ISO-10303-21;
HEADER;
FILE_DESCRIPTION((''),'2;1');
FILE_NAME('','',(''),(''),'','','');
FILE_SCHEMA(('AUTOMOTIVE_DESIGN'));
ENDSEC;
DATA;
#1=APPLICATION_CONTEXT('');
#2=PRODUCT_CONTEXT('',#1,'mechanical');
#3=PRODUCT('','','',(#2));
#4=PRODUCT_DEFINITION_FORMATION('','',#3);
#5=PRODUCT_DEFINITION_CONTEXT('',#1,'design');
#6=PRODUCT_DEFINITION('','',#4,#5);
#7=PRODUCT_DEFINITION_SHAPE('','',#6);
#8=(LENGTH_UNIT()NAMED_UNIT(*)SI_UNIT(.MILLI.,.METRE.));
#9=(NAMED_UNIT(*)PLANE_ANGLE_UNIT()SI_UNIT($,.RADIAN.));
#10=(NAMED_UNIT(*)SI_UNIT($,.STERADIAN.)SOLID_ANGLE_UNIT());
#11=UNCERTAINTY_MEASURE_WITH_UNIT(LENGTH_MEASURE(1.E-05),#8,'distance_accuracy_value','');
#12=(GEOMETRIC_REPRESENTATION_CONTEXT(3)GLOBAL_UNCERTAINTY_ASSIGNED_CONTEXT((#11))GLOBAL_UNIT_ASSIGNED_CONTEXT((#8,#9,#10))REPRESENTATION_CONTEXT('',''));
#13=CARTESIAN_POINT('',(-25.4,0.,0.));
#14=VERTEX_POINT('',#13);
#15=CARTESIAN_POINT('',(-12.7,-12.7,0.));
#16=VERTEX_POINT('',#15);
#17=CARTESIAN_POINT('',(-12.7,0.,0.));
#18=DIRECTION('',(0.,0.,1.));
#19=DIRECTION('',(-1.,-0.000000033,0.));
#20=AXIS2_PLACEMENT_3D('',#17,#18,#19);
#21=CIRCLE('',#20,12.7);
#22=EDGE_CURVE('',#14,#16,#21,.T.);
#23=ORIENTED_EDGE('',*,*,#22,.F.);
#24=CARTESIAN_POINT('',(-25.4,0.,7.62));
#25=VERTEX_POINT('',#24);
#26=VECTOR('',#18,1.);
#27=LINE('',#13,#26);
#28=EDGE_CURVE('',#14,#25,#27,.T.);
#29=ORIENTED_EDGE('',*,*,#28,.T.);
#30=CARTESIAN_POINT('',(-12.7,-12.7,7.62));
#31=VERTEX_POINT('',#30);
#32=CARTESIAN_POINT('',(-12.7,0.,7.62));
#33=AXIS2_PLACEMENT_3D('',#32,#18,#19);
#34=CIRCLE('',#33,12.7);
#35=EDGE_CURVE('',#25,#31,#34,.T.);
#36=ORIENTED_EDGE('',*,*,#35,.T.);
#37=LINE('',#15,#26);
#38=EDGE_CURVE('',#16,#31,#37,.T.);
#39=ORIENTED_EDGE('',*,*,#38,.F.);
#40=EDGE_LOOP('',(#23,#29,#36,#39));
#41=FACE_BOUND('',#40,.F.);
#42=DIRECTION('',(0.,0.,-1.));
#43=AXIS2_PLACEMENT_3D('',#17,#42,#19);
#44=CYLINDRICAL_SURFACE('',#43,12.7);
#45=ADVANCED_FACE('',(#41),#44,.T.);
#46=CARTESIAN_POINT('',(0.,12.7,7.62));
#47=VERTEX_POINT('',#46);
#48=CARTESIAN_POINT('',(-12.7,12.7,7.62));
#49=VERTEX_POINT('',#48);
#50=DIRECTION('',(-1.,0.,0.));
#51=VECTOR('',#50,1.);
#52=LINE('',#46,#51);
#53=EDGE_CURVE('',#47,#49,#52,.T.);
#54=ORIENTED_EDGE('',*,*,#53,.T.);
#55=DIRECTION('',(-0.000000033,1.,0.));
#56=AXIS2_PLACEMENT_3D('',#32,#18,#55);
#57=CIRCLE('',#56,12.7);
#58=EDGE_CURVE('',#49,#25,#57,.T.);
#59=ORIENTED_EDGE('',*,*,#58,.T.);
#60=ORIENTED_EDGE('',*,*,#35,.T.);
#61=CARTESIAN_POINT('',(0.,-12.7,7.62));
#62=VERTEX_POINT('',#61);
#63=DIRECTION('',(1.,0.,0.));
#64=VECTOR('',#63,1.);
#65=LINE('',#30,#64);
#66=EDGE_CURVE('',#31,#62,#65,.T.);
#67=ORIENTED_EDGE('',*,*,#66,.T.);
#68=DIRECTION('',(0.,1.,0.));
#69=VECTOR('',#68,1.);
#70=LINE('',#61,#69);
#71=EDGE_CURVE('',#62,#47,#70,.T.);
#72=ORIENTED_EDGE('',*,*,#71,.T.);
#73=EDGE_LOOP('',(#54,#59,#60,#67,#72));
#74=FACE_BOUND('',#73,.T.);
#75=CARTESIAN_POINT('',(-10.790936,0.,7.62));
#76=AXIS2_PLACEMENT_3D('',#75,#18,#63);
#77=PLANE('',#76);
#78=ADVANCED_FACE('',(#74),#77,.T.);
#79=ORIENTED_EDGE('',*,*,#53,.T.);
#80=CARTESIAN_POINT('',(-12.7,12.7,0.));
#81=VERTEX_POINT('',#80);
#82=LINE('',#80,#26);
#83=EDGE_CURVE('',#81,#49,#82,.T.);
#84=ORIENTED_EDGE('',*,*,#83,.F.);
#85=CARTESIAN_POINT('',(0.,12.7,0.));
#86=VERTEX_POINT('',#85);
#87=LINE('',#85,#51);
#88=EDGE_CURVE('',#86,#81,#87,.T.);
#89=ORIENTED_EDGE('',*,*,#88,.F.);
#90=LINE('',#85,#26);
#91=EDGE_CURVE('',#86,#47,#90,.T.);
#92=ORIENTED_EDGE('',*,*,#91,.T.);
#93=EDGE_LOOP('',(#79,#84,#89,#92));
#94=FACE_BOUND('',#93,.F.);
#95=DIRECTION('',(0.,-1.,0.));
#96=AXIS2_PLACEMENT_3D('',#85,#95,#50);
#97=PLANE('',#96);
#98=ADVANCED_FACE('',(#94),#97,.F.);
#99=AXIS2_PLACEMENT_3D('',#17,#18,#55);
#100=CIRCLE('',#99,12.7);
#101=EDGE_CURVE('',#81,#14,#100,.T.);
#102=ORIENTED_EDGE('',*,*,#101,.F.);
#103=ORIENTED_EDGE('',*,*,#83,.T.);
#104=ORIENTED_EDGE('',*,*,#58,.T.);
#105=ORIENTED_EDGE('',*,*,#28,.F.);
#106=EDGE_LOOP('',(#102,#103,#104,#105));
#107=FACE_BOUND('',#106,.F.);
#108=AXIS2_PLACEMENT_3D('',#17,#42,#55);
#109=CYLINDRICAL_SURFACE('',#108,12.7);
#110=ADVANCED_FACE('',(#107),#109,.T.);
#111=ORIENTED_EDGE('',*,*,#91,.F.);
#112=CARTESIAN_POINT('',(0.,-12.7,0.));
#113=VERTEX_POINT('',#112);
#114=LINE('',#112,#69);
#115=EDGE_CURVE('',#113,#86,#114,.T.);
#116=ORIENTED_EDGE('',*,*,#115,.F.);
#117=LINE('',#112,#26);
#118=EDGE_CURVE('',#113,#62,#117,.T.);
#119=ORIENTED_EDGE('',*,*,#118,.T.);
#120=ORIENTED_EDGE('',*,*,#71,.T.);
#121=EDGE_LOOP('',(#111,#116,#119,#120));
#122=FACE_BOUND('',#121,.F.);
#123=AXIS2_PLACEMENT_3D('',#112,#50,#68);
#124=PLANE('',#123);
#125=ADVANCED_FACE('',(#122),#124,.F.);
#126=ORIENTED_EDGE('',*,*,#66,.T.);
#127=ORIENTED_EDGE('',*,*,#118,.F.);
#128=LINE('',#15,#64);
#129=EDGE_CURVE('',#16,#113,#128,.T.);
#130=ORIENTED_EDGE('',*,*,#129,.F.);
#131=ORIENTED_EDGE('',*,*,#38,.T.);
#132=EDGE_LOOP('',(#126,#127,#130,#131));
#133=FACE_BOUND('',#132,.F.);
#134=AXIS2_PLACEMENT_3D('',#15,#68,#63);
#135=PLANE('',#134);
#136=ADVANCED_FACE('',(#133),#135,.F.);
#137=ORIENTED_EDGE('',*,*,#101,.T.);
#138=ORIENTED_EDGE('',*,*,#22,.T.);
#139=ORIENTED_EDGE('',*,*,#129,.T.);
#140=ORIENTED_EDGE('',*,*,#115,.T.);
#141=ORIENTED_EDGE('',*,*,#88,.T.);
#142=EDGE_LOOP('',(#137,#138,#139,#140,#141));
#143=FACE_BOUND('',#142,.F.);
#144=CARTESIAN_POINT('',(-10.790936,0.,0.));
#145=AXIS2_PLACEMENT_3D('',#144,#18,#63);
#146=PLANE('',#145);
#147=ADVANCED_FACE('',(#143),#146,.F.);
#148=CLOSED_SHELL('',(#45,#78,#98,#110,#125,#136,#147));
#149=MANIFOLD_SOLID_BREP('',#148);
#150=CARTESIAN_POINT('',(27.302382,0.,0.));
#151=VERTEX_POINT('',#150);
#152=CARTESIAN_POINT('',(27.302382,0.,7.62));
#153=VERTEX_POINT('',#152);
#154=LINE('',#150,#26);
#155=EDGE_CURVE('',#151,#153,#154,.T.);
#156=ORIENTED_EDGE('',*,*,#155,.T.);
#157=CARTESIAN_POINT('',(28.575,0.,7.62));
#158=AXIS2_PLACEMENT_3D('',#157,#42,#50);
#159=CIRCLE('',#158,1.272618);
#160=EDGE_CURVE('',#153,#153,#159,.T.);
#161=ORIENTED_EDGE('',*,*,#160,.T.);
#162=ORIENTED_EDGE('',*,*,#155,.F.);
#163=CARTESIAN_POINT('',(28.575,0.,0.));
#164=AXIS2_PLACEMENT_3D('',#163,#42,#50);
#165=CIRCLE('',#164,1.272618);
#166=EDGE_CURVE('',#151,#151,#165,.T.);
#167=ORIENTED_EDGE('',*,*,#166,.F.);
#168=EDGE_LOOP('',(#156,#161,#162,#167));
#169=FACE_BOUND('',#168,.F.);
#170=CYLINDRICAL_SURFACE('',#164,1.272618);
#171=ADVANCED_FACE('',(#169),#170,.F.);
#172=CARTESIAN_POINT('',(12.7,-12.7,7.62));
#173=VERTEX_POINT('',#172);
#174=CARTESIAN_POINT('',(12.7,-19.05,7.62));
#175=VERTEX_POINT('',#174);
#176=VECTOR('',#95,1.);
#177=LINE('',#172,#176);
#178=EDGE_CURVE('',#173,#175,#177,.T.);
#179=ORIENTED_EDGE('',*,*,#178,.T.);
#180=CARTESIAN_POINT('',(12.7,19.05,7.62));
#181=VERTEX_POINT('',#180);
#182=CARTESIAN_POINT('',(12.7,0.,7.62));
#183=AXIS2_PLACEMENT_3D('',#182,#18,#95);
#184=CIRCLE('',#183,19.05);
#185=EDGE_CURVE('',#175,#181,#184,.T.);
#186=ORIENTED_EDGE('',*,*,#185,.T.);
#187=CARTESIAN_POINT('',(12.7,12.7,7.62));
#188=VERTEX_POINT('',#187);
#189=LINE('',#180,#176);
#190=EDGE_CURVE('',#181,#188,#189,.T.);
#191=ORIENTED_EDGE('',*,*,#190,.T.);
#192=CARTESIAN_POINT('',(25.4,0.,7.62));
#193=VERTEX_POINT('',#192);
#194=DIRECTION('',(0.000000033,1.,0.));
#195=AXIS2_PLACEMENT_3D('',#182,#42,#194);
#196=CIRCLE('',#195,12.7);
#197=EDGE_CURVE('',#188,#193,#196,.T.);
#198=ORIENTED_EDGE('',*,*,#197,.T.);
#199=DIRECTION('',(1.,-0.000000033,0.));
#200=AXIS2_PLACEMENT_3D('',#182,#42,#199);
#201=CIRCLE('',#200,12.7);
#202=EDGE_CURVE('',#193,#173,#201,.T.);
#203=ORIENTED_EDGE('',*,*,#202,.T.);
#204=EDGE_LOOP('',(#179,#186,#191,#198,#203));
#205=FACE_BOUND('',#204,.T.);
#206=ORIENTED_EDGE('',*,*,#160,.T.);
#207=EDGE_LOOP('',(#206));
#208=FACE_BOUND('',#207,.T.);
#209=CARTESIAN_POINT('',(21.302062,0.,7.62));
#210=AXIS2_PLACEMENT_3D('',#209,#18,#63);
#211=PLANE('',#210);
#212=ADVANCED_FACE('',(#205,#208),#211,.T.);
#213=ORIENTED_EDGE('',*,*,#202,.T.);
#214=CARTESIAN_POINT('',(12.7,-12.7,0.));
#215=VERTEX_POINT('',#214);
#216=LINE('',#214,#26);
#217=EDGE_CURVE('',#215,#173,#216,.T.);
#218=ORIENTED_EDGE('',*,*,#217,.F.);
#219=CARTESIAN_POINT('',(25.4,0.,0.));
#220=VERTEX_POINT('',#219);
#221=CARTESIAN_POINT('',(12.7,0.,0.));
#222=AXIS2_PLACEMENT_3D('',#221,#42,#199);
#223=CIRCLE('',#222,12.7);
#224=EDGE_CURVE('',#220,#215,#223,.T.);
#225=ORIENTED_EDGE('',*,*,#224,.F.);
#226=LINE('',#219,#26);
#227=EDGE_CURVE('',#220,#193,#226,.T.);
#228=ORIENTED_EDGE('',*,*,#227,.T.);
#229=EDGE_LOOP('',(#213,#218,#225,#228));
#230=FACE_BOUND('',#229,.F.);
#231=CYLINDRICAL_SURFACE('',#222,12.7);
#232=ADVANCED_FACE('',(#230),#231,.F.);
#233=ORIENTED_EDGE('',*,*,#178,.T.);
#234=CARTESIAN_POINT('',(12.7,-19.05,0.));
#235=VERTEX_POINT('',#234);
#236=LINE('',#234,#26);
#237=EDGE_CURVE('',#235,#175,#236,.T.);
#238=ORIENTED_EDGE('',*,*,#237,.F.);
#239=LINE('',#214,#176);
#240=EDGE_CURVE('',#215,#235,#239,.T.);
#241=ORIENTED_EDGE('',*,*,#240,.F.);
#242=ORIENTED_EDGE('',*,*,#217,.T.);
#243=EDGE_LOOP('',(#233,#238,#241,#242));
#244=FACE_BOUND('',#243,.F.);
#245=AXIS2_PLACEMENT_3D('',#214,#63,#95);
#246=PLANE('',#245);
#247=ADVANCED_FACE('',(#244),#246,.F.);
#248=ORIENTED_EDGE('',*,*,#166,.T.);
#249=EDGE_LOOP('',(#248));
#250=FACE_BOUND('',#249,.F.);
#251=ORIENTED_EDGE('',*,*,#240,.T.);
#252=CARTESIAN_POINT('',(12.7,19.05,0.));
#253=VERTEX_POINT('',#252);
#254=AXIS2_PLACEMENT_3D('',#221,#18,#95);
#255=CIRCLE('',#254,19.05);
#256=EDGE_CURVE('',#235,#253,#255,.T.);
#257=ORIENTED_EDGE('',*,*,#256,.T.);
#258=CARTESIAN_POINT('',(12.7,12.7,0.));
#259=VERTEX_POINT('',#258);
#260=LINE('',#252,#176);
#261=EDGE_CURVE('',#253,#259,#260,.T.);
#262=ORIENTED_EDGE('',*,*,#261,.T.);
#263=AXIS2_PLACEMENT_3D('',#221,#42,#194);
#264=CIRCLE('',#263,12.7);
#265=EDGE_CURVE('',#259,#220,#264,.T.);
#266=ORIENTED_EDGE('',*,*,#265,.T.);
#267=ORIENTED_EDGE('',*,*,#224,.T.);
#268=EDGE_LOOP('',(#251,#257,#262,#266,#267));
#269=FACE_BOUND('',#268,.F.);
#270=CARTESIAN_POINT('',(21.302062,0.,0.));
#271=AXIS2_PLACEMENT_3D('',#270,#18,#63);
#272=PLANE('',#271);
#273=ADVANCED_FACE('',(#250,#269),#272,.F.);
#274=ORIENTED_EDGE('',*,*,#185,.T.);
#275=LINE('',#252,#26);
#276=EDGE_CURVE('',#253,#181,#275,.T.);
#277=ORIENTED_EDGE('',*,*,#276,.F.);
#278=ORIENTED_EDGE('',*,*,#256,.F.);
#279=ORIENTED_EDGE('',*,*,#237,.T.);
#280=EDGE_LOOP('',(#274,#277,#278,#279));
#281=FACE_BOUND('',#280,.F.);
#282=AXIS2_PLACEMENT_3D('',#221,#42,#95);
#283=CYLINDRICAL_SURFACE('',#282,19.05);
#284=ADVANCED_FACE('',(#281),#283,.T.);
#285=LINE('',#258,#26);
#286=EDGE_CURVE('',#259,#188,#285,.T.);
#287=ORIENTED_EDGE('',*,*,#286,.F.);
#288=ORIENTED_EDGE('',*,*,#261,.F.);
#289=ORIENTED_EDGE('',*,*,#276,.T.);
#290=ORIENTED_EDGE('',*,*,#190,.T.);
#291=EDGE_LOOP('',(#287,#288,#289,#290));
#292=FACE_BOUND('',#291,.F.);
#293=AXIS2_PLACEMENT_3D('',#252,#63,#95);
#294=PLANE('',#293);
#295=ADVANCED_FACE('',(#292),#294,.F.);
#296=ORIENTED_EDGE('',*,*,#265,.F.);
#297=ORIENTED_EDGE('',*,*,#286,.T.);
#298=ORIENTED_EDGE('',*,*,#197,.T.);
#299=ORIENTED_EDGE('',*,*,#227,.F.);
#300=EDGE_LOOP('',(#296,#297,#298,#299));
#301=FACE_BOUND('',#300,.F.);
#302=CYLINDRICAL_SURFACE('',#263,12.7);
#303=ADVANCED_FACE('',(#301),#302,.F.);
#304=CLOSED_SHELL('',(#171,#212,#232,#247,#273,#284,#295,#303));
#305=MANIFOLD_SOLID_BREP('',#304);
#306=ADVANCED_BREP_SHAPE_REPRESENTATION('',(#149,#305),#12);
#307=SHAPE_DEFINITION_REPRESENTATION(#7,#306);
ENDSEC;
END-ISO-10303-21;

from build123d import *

# Parameters (mm, degrees)
F1_DEPTH = 7.62


with BuildPart() as f1:
    # F0 (on Top) → F1 (new body)
    with BuildSketch(Plane.XY):
        with BuildLine():
            Line((0, -12.7), (0, 0))
            Line((0, 0), (0, 12.7))
            Line((0, 12.7), (-12.7, 12.7))
            ThreePointArc((-12.7, 12.7), (-21.680256, 8.980256), (-25.4, 0))
            ThreePointArc((-25.4, 0), (-21.680256, -8.980256), (-12.7, -12.7))
            Line((-12.7, -12.7), (0, -12.7))
        make_face()
        with BuildLine():
            Line((12.7, 19.05), (12.7, 12.7))
            ThreePointArc((12.7, 12.7), (21.680256, 8.980256), (25.4, 0))
            ThreePointArc((25.4, 0), (21.680256, -8.980256), (12.7, -12.7))
            Line((12.7, -12.7), (12.7, -19.05))
            ThreePointArc((12.7, -19.05), (31.75, 0), (12.7, 19.05))
        make_face()
        with BuildLine():
            ThreePointArc((29.847618, 0), (28.575, -1.272618), (27.302382, 0))
            ThreePointArc((27.302382, 0), (28.575, 1.272618), (29.847618, 0))
        make_face(mode=Mode.SUBTRACT)
    extrude(amount=F1_DEPTH)


solid = f1.part
